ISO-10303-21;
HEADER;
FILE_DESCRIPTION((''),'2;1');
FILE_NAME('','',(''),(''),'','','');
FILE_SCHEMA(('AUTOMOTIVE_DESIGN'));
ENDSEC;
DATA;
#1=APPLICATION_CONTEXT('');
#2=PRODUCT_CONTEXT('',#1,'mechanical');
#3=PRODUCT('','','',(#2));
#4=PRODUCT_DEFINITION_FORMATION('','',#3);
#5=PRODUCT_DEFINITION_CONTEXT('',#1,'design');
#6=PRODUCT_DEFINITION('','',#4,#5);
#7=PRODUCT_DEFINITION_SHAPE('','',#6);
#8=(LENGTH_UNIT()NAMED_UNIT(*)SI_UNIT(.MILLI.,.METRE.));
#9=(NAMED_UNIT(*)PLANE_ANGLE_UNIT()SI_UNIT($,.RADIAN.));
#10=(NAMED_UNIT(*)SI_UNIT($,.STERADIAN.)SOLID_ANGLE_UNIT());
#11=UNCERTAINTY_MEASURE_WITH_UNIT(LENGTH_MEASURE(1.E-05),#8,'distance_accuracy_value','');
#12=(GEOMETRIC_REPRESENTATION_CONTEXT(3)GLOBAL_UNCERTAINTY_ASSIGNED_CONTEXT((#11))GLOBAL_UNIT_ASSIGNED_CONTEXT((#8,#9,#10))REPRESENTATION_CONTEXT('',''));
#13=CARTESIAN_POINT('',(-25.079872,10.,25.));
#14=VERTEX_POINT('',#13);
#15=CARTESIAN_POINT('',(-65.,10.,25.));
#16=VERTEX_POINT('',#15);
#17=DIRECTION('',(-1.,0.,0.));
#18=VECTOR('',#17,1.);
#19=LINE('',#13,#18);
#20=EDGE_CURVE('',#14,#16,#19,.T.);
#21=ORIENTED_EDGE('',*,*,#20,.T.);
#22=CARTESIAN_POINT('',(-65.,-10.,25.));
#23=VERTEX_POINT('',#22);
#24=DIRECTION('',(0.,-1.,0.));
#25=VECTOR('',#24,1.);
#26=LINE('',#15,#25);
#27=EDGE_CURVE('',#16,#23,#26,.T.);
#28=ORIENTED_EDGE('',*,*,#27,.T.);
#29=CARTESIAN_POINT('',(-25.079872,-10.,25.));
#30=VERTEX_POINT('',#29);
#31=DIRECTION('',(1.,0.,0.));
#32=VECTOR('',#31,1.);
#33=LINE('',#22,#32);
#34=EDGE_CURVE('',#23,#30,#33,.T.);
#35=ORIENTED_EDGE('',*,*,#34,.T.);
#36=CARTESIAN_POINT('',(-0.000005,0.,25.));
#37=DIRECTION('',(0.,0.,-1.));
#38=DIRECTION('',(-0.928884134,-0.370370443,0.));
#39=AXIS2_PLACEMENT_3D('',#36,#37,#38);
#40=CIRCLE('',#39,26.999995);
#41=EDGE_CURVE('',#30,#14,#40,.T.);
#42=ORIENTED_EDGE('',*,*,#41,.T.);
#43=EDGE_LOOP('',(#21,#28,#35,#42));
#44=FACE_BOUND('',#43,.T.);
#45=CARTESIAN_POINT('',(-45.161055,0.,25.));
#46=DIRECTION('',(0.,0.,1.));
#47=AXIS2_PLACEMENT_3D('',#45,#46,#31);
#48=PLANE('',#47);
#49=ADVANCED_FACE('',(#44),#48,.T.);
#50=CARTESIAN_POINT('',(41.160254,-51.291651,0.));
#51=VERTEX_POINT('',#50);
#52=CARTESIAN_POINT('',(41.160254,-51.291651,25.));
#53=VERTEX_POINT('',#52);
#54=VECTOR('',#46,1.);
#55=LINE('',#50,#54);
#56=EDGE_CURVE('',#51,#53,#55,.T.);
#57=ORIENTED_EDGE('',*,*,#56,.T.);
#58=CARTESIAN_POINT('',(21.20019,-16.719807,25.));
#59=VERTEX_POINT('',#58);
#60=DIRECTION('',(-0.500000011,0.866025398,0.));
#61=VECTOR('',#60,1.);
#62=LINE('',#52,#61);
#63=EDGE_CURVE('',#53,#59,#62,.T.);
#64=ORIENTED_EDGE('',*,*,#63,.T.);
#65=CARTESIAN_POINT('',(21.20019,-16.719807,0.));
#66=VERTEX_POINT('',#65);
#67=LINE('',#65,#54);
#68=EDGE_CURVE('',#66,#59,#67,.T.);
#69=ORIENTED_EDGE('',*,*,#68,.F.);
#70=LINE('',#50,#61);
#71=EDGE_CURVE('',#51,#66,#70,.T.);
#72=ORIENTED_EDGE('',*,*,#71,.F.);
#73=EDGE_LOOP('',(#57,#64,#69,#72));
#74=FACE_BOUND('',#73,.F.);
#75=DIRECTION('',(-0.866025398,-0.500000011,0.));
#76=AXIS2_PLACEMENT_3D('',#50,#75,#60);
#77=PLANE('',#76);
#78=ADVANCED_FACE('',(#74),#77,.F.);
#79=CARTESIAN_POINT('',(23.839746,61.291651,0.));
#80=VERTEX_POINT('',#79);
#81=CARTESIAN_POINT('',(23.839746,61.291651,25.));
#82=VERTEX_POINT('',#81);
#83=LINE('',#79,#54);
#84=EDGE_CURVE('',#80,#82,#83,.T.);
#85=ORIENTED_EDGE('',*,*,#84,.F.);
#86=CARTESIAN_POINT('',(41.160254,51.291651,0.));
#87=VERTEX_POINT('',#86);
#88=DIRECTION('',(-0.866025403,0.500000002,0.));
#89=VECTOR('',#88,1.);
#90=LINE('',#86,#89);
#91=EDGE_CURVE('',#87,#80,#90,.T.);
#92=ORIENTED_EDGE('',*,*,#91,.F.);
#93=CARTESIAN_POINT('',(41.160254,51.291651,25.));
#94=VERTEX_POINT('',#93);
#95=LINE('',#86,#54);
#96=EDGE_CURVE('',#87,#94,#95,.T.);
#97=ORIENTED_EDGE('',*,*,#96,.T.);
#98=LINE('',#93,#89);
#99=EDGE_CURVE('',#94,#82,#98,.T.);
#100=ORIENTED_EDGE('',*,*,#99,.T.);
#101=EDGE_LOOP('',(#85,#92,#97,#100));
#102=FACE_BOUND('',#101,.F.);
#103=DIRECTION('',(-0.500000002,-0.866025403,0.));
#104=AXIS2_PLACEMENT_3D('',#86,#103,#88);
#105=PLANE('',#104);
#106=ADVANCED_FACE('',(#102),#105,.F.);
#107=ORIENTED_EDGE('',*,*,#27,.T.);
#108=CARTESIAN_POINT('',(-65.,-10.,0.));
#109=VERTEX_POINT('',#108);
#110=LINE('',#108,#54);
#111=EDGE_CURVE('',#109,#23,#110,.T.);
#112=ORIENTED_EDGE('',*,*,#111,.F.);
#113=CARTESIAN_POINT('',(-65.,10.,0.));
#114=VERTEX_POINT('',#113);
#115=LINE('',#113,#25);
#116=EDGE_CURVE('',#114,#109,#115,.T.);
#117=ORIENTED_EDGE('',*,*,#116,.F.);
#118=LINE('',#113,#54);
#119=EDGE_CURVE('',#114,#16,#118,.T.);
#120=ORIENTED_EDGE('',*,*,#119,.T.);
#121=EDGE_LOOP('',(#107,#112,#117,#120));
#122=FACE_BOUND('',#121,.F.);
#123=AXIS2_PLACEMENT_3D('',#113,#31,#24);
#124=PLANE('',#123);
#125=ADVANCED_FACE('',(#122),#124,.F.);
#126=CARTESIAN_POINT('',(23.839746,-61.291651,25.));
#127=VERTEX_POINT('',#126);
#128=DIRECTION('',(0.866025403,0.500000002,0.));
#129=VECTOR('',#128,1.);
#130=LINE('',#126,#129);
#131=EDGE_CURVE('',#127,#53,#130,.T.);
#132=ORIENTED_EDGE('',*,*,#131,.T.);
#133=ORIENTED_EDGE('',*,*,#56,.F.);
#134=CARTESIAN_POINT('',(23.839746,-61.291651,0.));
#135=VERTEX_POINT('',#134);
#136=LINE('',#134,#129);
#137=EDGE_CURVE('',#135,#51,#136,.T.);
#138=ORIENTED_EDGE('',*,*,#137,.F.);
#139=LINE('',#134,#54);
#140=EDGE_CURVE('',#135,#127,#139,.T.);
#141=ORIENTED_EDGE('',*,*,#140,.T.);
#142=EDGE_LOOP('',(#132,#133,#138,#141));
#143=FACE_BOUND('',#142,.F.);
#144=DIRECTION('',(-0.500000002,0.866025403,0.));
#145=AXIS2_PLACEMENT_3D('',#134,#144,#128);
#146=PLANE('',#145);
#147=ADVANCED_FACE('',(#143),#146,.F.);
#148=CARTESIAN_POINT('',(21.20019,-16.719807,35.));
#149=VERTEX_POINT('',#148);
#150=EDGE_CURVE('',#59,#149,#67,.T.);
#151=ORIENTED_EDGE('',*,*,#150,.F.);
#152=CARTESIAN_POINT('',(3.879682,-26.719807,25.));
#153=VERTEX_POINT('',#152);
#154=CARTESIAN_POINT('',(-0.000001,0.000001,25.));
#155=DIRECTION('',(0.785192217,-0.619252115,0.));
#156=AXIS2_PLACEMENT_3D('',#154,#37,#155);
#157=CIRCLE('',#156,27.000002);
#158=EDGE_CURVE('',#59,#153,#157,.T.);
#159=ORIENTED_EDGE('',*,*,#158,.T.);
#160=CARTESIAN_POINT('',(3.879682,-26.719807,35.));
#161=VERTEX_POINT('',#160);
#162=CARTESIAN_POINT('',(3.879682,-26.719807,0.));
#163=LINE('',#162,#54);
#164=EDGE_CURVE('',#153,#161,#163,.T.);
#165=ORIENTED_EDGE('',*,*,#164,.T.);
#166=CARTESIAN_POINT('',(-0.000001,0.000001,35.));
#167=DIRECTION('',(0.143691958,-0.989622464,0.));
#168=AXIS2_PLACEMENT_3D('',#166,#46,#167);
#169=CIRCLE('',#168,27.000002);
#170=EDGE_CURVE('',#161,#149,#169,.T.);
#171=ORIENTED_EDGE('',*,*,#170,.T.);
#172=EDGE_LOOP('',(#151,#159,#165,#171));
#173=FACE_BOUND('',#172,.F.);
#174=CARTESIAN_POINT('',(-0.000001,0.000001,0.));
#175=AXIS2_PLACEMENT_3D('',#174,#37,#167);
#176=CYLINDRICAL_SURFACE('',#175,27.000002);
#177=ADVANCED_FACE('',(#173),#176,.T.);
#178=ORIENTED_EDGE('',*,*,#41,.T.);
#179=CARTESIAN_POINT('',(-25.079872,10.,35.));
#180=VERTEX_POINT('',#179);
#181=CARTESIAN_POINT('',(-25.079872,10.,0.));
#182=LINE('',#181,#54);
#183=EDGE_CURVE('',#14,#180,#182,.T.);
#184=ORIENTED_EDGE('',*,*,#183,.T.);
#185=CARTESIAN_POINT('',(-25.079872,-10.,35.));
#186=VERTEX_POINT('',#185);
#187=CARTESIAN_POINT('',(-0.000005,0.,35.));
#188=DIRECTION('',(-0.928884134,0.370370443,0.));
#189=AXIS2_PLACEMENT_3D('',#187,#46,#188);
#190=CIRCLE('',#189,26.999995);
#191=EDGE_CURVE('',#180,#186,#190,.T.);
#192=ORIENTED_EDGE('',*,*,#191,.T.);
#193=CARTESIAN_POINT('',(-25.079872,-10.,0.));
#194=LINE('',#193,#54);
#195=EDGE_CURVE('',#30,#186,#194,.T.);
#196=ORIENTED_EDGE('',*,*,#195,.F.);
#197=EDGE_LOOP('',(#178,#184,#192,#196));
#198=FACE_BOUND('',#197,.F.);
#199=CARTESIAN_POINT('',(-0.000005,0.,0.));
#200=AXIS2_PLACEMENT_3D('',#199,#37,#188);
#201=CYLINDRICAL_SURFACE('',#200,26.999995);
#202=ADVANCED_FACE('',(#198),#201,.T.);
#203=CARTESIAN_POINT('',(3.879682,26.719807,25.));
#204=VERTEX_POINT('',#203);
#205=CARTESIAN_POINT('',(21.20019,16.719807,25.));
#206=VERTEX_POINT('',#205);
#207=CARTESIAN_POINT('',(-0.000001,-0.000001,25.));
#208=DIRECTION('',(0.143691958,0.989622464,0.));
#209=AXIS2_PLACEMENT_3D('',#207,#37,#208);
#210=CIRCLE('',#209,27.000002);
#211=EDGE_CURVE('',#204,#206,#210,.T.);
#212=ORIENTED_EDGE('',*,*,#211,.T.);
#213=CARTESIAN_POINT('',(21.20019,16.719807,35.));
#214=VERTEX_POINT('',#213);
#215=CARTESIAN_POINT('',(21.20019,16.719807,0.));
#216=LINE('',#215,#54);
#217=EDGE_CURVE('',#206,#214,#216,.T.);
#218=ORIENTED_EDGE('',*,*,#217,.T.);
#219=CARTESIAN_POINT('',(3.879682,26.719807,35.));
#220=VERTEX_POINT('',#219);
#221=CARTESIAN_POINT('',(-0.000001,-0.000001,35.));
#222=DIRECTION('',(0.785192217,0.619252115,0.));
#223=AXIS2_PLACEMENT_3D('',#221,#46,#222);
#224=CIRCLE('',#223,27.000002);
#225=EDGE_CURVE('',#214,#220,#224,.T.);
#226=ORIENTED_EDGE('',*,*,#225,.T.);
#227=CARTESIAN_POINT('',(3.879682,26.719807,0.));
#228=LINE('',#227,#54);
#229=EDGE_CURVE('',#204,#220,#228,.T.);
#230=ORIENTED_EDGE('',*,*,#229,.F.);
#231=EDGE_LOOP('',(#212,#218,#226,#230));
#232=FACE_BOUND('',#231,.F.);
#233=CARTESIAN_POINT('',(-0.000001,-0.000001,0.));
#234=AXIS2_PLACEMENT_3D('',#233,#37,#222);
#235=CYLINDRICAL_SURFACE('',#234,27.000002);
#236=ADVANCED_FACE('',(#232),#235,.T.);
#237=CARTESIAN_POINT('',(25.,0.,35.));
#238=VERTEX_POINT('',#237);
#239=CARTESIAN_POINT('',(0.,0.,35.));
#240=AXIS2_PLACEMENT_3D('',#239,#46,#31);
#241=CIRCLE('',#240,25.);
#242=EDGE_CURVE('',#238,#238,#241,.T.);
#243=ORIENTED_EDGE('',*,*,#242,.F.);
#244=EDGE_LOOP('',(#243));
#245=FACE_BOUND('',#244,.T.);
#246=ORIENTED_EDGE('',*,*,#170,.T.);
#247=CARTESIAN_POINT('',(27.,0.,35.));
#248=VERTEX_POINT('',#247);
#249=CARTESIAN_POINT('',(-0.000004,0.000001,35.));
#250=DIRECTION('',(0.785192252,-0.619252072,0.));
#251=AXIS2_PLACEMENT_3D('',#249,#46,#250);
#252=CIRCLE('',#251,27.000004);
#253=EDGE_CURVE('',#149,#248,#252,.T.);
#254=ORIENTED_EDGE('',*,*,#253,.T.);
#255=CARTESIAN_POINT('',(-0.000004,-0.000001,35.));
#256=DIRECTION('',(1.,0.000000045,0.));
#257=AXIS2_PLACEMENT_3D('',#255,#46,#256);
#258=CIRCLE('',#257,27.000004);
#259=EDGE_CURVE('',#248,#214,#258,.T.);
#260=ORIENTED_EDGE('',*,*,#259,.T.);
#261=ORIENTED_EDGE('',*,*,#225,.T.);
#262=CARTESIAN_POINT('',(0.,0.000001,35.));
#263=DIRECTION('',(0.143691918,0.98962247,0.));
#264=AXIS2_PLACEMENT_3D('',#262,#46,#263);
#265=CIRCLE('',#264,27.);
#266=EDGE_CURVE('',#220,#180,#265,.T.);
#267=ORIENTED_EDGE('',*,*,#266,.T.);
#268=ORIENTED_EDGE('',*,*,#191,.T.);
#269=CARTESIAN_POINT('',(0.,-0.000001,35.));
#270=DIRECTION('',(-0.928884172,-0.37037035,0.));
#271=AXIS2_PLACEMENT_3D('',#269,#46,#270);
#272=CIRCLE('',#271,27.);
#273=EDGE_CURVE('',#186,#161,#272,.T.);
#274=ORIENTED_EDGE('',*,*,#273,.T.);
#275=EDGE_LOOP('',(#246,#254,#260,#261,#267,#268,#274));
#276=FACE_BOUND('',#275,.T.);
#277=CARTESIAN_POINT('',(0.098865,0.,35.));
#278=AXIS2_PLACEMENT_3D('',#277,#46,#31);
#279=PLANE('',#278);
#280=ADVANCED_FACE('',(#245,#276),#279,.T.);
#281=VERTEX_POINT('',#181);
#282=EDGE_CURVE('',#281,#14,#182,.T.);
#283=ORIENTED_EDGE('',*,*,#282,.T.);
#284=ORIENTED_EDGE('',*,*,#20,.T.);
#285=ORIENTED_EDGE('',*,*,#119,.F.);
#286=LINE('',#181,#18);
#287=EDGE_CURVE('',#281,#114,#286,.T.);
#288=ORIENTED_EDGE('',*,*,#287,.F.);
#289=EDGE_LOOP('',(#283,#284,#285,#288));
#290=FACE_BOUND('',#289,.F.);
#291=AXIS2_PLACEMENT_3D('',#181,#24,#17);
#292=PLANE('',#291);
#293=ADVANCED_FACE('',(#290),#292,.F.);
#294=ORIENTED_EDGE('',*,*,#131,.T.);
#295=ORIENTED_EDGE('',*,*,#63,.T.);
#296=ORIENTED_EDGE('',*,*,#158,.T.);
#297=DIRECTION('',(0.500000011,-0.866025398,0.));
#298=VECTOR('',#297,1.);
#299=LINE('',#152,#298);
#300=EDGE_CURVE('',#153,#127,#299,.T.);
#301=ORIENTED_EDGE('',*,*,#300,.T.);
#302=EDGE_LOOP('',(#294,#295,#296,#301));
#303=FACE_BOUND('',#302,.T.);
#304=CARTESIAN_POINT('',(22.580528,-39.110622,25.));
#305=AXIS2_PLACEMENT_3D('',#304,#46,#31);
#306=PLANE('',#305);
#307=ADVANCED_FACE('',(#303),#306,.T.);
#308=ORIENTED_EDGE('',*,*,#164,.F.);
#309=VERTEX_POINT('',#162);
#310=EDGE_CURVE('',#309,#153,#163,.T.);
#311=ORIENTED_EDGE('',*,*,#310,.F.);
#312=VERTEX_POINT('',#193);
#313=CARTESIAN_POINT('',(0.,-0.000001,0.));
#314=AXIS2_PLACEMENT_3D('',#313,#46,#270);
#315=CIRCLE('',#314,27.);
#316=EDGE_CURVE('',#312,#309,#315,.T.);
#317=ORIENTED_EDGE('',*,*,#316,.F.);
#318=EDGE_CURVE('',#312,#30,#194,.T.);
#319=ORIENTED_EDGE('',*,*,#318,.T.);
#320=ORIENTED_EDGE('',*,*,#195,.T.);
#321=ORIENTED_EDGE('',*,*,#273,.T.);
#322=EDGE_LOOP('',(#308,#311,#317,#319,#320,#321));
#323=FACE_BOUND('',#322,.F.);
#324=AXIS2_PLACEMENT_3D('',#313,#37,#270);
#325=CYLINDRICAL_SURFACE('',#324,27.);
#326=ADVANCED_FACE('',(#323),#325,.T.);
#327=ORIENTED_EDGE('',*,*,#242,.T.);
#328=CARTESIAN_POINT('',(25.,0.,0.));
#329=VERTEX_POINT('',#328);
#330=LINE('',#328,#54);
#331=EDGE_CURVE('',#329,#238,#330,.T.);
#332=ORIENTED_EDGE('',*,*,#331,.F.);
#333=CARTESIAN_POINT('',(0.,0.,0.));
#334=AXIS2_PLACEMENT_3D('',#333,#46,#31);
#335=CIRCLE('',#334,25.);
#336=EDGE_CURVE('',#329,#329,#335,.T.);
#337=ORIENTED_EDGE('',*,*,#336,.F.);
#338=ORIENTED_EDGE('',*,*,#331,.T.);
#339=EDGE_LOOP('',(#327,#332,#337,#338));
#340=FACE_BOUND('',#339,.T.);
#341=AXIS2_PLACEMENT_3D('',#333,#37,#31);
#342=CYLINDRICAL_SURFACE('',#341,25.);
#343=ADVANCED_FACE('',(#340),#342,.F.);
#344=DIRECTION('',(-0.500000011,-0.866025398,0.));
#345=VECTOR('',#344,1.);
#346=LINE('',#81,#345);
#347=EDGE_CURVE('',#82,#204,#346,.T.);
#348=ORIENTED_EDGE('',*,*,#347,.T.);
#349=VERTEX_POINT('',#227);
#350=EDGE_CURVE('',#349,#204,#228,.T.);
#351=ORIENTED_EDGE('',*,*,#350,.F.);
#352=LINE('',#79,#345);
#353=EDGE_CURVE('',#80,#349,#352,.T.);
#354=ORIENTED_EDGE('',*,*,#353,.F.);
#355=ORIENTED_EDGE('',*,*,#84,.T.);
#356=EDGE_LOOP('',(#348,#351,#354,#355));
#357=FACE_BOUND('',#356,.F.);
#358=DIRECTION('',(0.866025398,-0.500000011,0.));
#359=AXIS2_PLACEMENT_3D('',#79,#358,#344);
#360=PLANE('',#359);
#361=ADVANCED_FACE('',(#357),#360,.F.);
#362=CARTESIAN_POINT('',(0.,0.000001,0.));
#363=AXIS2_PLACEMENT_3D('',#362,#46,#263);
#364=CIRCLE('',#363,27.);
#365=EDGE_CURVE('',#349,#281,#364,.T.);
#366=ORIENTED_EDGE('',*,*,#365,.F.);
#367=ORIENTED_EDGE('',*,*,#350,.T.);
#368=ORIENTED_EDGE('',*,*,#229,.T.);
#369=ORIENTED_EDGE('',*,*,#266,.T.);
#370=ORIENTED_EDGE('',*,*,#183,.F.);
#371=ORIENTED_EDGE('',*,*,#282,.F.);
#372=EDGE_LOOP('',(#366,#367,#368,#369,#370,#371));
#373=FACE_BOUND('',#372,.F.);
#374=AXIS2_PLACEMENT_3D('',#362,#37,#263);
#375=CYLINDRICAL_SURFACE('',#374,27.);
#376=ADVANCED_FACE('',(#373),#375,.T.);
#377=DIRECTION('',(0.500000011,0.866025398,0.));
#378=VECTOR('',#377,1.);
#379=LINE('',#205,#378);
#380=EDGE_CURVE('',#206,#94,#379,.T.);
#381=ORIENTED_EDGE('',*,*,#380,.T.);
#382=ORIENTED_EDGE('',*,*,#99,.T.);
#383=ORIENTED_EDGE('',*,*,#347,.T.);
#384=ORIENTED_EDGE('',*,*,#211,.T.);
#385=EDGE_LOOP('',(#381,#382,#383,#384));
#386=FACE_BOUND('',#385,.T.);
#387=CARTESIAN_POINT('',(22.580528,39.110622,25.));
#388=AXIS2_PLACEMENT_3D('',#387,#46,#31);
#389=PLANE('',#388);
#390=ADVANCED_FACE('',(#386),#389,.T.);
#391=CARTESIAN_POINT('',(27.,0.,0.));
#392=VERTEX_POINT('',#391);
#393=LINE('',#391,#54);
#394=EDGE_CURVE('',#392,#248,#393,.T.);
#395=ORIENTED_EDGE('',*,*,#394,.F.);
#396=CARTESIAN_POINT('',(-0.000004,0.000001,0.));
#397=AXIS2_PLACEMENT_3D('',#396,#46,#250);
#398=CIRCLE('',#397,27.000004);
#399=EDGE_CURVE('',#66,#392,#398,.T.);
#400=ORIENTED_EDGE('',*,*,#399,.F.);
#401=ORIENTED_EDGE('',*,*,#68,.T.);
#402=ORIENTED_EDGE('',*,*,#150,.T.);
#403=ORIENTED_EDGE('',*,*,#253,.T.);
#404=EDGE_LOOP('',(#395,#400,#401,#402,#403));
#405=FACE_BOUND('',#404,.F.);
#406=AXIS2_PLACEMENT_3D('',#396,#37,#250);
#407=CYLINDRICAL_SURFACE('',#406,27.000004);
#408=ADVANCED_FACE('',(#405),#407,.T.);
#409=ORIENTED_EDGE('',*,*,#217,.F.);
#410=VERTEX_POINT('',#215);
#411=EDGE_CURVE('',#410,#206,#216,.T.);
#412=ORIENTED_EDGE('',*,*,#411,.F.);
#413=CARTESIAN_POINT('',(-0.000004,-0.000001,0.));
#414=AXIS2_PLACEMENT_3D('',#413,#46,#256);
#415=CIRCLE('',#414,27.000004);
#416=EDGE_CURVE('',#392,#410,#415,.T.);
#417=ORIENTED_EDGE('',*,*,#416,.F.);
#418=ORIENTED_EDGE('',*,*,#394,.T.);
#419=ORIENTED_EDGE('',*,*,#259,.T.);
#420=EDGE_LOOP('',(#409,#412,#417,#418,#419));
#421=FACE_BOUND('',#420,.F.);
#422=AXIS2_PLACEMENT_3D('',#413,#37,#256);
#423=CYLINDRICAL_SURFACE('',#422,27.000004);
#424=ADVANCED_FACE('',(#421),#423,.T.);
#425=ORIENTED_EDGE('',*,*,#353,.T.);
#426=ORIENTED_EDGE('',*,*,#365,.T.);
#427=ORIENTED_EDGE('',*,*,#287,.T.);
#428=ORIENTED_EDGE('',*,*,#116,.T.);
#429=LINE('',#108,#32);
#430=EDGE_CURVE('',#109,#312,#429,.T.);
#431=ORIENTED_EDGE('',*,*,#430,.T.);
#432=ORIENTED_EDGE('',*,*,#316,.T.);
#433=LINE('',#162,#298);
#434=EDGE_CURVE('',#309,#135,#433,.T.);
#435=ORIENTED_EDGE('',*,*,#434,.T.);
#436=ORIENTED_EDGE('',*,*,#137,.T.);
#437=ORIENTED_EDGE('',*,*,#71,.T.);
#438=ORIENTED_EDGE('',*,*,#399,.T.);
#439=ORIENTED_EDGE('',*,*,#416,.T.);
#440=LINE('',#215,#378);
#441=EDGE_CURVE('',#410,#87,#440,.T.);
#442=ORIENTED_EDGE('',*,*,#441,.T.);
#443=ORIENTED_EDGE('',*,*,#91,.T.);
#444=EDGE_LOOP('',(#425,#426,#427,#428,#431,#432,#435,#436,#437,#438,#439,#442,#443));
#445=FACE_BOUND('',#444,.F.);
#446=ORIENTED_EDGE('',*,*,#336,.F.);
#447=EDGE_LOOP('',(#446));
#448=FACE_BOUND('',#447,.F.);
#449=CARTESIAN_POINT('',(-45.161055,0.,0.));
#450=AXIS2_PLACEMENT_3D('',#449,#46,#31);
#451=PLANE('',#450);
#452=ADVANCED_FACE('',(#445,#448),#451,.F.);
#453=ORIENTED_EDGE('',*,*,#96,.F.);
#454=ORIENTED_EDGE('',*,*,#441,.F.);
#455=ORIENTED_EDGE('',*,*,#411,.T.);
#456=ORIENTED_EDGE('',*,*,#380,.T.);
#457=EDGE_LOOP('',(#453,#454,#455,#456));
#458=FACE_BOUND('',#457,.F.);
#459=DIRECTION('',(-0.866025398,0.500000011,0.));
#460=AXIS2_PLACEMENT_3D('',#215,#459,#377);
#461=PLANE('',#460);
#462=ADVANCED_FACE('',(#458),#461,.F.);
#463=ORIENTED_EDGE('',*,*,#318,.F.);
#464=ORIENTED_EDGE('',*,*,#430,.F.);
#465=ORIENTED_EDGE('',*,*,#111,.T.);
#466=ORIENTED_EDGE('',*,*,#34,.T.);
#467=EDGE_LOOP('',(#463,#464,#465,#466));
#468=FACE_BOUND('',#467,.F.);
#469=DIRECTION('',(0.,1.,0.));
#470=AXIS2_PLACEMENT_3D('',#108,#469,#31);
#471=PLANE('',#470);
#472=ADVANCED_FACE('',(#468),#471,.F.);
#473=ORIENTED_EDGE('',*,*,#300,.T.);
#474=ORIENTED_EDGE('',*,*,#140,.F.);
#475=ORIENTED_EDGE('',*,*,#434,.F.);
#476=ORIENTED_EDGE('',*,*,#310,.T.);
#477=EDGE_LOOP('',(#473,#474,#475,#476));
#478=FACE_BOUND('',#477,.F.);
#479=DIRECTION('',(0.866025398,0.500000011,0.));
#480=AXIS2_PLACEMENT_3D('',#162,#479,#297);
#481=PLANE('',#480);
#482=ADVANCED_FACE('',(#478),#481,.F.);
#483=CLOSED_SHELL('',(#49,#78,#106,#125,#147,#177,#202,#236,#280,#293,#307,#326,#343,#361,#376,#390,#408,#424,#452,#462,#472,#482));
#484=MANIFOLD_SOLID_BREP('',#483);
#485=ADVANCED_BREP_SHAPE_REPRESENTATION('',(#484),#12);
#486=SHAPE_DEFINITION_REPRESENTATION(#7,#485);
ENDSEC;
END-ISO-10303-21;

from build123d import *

# Parameters (mm, degrees)
F0_R     = 25
F1_DEPTH = 35
F2_DEPTH = 25


with BuildPart() as f1:
    # F0 (on Top) → F1 (new body)
    with BuildSketch(Plane.XY):
        with BuildLine():
            ThreePointArc((21.20019, -16.719807), (25.508872, -8.848584), (27, 0))
            ThreePointArc((27, 0), (25.508872, 8.848584), (21.20019, 16.719807))
            ThreePointArc((21.20019, 16.719807), (13.5, 23.382686), (3.879682, 26.719807))
            ThreePointArc((3.879682, 26.719807), (-13.5, 23.382686), (-25.079872, 10))
            ThreePointArc((-25.079872, 10), (-27, 0), (-25.079872, -10))
            ThreePointArc((-25.079872, -10), (-13.5, -23.382686), (3.879682, -26.719807))
            ThreePointArc((3.879682, -26.719807), (13.5, -23.382686), (21.20019, -16.719807))
        make_face()
        Circle(F0_R, mode=Mode.SUBTRACT)
    extrude(amount=F1_DEPTH)

    # F0 (on Top) → F2 (join)
    with BuildSketch(Plane.XY):
        with BuildLine():
            ThreePointArc((-25.079872, -10), (-27, 0), (-25.079872, 10))
            Line((-25.079872, 10), (-65, 10))
            Line((-65, 10), (-65, -10))
            Line((-65, -10), (-25.079872, -10))
        make_face()
        with BuildLine():
            Line((41.160254, -51.291651), (21.20019, -16.719807))
            ThreePointArc((21.20019, -16.719807), (13.5, -23.382686), (3.879682, -26.719807))
            Line((3.879682, -26.719807), (23.839746, -61.291651))
            Line((23.839746, -61.291651), (41.160254, -51.291651))
        make_face()
        with BuildLine():
            ThreePointArc((3.879682, 26.719807), (13.5, 23.382686), (21.20019, 16.719807))
            Line((21.20019, 16.719807), (41.160254, 51.291651))
            Line((41.160254, 51.291651), (23.839746, 61.291651))
            Line((23.839746, 61.291651), (3.879682, 26.719807))
        make_face()
    extrude(amount=F2_DEPTH)


solid = f1.part
